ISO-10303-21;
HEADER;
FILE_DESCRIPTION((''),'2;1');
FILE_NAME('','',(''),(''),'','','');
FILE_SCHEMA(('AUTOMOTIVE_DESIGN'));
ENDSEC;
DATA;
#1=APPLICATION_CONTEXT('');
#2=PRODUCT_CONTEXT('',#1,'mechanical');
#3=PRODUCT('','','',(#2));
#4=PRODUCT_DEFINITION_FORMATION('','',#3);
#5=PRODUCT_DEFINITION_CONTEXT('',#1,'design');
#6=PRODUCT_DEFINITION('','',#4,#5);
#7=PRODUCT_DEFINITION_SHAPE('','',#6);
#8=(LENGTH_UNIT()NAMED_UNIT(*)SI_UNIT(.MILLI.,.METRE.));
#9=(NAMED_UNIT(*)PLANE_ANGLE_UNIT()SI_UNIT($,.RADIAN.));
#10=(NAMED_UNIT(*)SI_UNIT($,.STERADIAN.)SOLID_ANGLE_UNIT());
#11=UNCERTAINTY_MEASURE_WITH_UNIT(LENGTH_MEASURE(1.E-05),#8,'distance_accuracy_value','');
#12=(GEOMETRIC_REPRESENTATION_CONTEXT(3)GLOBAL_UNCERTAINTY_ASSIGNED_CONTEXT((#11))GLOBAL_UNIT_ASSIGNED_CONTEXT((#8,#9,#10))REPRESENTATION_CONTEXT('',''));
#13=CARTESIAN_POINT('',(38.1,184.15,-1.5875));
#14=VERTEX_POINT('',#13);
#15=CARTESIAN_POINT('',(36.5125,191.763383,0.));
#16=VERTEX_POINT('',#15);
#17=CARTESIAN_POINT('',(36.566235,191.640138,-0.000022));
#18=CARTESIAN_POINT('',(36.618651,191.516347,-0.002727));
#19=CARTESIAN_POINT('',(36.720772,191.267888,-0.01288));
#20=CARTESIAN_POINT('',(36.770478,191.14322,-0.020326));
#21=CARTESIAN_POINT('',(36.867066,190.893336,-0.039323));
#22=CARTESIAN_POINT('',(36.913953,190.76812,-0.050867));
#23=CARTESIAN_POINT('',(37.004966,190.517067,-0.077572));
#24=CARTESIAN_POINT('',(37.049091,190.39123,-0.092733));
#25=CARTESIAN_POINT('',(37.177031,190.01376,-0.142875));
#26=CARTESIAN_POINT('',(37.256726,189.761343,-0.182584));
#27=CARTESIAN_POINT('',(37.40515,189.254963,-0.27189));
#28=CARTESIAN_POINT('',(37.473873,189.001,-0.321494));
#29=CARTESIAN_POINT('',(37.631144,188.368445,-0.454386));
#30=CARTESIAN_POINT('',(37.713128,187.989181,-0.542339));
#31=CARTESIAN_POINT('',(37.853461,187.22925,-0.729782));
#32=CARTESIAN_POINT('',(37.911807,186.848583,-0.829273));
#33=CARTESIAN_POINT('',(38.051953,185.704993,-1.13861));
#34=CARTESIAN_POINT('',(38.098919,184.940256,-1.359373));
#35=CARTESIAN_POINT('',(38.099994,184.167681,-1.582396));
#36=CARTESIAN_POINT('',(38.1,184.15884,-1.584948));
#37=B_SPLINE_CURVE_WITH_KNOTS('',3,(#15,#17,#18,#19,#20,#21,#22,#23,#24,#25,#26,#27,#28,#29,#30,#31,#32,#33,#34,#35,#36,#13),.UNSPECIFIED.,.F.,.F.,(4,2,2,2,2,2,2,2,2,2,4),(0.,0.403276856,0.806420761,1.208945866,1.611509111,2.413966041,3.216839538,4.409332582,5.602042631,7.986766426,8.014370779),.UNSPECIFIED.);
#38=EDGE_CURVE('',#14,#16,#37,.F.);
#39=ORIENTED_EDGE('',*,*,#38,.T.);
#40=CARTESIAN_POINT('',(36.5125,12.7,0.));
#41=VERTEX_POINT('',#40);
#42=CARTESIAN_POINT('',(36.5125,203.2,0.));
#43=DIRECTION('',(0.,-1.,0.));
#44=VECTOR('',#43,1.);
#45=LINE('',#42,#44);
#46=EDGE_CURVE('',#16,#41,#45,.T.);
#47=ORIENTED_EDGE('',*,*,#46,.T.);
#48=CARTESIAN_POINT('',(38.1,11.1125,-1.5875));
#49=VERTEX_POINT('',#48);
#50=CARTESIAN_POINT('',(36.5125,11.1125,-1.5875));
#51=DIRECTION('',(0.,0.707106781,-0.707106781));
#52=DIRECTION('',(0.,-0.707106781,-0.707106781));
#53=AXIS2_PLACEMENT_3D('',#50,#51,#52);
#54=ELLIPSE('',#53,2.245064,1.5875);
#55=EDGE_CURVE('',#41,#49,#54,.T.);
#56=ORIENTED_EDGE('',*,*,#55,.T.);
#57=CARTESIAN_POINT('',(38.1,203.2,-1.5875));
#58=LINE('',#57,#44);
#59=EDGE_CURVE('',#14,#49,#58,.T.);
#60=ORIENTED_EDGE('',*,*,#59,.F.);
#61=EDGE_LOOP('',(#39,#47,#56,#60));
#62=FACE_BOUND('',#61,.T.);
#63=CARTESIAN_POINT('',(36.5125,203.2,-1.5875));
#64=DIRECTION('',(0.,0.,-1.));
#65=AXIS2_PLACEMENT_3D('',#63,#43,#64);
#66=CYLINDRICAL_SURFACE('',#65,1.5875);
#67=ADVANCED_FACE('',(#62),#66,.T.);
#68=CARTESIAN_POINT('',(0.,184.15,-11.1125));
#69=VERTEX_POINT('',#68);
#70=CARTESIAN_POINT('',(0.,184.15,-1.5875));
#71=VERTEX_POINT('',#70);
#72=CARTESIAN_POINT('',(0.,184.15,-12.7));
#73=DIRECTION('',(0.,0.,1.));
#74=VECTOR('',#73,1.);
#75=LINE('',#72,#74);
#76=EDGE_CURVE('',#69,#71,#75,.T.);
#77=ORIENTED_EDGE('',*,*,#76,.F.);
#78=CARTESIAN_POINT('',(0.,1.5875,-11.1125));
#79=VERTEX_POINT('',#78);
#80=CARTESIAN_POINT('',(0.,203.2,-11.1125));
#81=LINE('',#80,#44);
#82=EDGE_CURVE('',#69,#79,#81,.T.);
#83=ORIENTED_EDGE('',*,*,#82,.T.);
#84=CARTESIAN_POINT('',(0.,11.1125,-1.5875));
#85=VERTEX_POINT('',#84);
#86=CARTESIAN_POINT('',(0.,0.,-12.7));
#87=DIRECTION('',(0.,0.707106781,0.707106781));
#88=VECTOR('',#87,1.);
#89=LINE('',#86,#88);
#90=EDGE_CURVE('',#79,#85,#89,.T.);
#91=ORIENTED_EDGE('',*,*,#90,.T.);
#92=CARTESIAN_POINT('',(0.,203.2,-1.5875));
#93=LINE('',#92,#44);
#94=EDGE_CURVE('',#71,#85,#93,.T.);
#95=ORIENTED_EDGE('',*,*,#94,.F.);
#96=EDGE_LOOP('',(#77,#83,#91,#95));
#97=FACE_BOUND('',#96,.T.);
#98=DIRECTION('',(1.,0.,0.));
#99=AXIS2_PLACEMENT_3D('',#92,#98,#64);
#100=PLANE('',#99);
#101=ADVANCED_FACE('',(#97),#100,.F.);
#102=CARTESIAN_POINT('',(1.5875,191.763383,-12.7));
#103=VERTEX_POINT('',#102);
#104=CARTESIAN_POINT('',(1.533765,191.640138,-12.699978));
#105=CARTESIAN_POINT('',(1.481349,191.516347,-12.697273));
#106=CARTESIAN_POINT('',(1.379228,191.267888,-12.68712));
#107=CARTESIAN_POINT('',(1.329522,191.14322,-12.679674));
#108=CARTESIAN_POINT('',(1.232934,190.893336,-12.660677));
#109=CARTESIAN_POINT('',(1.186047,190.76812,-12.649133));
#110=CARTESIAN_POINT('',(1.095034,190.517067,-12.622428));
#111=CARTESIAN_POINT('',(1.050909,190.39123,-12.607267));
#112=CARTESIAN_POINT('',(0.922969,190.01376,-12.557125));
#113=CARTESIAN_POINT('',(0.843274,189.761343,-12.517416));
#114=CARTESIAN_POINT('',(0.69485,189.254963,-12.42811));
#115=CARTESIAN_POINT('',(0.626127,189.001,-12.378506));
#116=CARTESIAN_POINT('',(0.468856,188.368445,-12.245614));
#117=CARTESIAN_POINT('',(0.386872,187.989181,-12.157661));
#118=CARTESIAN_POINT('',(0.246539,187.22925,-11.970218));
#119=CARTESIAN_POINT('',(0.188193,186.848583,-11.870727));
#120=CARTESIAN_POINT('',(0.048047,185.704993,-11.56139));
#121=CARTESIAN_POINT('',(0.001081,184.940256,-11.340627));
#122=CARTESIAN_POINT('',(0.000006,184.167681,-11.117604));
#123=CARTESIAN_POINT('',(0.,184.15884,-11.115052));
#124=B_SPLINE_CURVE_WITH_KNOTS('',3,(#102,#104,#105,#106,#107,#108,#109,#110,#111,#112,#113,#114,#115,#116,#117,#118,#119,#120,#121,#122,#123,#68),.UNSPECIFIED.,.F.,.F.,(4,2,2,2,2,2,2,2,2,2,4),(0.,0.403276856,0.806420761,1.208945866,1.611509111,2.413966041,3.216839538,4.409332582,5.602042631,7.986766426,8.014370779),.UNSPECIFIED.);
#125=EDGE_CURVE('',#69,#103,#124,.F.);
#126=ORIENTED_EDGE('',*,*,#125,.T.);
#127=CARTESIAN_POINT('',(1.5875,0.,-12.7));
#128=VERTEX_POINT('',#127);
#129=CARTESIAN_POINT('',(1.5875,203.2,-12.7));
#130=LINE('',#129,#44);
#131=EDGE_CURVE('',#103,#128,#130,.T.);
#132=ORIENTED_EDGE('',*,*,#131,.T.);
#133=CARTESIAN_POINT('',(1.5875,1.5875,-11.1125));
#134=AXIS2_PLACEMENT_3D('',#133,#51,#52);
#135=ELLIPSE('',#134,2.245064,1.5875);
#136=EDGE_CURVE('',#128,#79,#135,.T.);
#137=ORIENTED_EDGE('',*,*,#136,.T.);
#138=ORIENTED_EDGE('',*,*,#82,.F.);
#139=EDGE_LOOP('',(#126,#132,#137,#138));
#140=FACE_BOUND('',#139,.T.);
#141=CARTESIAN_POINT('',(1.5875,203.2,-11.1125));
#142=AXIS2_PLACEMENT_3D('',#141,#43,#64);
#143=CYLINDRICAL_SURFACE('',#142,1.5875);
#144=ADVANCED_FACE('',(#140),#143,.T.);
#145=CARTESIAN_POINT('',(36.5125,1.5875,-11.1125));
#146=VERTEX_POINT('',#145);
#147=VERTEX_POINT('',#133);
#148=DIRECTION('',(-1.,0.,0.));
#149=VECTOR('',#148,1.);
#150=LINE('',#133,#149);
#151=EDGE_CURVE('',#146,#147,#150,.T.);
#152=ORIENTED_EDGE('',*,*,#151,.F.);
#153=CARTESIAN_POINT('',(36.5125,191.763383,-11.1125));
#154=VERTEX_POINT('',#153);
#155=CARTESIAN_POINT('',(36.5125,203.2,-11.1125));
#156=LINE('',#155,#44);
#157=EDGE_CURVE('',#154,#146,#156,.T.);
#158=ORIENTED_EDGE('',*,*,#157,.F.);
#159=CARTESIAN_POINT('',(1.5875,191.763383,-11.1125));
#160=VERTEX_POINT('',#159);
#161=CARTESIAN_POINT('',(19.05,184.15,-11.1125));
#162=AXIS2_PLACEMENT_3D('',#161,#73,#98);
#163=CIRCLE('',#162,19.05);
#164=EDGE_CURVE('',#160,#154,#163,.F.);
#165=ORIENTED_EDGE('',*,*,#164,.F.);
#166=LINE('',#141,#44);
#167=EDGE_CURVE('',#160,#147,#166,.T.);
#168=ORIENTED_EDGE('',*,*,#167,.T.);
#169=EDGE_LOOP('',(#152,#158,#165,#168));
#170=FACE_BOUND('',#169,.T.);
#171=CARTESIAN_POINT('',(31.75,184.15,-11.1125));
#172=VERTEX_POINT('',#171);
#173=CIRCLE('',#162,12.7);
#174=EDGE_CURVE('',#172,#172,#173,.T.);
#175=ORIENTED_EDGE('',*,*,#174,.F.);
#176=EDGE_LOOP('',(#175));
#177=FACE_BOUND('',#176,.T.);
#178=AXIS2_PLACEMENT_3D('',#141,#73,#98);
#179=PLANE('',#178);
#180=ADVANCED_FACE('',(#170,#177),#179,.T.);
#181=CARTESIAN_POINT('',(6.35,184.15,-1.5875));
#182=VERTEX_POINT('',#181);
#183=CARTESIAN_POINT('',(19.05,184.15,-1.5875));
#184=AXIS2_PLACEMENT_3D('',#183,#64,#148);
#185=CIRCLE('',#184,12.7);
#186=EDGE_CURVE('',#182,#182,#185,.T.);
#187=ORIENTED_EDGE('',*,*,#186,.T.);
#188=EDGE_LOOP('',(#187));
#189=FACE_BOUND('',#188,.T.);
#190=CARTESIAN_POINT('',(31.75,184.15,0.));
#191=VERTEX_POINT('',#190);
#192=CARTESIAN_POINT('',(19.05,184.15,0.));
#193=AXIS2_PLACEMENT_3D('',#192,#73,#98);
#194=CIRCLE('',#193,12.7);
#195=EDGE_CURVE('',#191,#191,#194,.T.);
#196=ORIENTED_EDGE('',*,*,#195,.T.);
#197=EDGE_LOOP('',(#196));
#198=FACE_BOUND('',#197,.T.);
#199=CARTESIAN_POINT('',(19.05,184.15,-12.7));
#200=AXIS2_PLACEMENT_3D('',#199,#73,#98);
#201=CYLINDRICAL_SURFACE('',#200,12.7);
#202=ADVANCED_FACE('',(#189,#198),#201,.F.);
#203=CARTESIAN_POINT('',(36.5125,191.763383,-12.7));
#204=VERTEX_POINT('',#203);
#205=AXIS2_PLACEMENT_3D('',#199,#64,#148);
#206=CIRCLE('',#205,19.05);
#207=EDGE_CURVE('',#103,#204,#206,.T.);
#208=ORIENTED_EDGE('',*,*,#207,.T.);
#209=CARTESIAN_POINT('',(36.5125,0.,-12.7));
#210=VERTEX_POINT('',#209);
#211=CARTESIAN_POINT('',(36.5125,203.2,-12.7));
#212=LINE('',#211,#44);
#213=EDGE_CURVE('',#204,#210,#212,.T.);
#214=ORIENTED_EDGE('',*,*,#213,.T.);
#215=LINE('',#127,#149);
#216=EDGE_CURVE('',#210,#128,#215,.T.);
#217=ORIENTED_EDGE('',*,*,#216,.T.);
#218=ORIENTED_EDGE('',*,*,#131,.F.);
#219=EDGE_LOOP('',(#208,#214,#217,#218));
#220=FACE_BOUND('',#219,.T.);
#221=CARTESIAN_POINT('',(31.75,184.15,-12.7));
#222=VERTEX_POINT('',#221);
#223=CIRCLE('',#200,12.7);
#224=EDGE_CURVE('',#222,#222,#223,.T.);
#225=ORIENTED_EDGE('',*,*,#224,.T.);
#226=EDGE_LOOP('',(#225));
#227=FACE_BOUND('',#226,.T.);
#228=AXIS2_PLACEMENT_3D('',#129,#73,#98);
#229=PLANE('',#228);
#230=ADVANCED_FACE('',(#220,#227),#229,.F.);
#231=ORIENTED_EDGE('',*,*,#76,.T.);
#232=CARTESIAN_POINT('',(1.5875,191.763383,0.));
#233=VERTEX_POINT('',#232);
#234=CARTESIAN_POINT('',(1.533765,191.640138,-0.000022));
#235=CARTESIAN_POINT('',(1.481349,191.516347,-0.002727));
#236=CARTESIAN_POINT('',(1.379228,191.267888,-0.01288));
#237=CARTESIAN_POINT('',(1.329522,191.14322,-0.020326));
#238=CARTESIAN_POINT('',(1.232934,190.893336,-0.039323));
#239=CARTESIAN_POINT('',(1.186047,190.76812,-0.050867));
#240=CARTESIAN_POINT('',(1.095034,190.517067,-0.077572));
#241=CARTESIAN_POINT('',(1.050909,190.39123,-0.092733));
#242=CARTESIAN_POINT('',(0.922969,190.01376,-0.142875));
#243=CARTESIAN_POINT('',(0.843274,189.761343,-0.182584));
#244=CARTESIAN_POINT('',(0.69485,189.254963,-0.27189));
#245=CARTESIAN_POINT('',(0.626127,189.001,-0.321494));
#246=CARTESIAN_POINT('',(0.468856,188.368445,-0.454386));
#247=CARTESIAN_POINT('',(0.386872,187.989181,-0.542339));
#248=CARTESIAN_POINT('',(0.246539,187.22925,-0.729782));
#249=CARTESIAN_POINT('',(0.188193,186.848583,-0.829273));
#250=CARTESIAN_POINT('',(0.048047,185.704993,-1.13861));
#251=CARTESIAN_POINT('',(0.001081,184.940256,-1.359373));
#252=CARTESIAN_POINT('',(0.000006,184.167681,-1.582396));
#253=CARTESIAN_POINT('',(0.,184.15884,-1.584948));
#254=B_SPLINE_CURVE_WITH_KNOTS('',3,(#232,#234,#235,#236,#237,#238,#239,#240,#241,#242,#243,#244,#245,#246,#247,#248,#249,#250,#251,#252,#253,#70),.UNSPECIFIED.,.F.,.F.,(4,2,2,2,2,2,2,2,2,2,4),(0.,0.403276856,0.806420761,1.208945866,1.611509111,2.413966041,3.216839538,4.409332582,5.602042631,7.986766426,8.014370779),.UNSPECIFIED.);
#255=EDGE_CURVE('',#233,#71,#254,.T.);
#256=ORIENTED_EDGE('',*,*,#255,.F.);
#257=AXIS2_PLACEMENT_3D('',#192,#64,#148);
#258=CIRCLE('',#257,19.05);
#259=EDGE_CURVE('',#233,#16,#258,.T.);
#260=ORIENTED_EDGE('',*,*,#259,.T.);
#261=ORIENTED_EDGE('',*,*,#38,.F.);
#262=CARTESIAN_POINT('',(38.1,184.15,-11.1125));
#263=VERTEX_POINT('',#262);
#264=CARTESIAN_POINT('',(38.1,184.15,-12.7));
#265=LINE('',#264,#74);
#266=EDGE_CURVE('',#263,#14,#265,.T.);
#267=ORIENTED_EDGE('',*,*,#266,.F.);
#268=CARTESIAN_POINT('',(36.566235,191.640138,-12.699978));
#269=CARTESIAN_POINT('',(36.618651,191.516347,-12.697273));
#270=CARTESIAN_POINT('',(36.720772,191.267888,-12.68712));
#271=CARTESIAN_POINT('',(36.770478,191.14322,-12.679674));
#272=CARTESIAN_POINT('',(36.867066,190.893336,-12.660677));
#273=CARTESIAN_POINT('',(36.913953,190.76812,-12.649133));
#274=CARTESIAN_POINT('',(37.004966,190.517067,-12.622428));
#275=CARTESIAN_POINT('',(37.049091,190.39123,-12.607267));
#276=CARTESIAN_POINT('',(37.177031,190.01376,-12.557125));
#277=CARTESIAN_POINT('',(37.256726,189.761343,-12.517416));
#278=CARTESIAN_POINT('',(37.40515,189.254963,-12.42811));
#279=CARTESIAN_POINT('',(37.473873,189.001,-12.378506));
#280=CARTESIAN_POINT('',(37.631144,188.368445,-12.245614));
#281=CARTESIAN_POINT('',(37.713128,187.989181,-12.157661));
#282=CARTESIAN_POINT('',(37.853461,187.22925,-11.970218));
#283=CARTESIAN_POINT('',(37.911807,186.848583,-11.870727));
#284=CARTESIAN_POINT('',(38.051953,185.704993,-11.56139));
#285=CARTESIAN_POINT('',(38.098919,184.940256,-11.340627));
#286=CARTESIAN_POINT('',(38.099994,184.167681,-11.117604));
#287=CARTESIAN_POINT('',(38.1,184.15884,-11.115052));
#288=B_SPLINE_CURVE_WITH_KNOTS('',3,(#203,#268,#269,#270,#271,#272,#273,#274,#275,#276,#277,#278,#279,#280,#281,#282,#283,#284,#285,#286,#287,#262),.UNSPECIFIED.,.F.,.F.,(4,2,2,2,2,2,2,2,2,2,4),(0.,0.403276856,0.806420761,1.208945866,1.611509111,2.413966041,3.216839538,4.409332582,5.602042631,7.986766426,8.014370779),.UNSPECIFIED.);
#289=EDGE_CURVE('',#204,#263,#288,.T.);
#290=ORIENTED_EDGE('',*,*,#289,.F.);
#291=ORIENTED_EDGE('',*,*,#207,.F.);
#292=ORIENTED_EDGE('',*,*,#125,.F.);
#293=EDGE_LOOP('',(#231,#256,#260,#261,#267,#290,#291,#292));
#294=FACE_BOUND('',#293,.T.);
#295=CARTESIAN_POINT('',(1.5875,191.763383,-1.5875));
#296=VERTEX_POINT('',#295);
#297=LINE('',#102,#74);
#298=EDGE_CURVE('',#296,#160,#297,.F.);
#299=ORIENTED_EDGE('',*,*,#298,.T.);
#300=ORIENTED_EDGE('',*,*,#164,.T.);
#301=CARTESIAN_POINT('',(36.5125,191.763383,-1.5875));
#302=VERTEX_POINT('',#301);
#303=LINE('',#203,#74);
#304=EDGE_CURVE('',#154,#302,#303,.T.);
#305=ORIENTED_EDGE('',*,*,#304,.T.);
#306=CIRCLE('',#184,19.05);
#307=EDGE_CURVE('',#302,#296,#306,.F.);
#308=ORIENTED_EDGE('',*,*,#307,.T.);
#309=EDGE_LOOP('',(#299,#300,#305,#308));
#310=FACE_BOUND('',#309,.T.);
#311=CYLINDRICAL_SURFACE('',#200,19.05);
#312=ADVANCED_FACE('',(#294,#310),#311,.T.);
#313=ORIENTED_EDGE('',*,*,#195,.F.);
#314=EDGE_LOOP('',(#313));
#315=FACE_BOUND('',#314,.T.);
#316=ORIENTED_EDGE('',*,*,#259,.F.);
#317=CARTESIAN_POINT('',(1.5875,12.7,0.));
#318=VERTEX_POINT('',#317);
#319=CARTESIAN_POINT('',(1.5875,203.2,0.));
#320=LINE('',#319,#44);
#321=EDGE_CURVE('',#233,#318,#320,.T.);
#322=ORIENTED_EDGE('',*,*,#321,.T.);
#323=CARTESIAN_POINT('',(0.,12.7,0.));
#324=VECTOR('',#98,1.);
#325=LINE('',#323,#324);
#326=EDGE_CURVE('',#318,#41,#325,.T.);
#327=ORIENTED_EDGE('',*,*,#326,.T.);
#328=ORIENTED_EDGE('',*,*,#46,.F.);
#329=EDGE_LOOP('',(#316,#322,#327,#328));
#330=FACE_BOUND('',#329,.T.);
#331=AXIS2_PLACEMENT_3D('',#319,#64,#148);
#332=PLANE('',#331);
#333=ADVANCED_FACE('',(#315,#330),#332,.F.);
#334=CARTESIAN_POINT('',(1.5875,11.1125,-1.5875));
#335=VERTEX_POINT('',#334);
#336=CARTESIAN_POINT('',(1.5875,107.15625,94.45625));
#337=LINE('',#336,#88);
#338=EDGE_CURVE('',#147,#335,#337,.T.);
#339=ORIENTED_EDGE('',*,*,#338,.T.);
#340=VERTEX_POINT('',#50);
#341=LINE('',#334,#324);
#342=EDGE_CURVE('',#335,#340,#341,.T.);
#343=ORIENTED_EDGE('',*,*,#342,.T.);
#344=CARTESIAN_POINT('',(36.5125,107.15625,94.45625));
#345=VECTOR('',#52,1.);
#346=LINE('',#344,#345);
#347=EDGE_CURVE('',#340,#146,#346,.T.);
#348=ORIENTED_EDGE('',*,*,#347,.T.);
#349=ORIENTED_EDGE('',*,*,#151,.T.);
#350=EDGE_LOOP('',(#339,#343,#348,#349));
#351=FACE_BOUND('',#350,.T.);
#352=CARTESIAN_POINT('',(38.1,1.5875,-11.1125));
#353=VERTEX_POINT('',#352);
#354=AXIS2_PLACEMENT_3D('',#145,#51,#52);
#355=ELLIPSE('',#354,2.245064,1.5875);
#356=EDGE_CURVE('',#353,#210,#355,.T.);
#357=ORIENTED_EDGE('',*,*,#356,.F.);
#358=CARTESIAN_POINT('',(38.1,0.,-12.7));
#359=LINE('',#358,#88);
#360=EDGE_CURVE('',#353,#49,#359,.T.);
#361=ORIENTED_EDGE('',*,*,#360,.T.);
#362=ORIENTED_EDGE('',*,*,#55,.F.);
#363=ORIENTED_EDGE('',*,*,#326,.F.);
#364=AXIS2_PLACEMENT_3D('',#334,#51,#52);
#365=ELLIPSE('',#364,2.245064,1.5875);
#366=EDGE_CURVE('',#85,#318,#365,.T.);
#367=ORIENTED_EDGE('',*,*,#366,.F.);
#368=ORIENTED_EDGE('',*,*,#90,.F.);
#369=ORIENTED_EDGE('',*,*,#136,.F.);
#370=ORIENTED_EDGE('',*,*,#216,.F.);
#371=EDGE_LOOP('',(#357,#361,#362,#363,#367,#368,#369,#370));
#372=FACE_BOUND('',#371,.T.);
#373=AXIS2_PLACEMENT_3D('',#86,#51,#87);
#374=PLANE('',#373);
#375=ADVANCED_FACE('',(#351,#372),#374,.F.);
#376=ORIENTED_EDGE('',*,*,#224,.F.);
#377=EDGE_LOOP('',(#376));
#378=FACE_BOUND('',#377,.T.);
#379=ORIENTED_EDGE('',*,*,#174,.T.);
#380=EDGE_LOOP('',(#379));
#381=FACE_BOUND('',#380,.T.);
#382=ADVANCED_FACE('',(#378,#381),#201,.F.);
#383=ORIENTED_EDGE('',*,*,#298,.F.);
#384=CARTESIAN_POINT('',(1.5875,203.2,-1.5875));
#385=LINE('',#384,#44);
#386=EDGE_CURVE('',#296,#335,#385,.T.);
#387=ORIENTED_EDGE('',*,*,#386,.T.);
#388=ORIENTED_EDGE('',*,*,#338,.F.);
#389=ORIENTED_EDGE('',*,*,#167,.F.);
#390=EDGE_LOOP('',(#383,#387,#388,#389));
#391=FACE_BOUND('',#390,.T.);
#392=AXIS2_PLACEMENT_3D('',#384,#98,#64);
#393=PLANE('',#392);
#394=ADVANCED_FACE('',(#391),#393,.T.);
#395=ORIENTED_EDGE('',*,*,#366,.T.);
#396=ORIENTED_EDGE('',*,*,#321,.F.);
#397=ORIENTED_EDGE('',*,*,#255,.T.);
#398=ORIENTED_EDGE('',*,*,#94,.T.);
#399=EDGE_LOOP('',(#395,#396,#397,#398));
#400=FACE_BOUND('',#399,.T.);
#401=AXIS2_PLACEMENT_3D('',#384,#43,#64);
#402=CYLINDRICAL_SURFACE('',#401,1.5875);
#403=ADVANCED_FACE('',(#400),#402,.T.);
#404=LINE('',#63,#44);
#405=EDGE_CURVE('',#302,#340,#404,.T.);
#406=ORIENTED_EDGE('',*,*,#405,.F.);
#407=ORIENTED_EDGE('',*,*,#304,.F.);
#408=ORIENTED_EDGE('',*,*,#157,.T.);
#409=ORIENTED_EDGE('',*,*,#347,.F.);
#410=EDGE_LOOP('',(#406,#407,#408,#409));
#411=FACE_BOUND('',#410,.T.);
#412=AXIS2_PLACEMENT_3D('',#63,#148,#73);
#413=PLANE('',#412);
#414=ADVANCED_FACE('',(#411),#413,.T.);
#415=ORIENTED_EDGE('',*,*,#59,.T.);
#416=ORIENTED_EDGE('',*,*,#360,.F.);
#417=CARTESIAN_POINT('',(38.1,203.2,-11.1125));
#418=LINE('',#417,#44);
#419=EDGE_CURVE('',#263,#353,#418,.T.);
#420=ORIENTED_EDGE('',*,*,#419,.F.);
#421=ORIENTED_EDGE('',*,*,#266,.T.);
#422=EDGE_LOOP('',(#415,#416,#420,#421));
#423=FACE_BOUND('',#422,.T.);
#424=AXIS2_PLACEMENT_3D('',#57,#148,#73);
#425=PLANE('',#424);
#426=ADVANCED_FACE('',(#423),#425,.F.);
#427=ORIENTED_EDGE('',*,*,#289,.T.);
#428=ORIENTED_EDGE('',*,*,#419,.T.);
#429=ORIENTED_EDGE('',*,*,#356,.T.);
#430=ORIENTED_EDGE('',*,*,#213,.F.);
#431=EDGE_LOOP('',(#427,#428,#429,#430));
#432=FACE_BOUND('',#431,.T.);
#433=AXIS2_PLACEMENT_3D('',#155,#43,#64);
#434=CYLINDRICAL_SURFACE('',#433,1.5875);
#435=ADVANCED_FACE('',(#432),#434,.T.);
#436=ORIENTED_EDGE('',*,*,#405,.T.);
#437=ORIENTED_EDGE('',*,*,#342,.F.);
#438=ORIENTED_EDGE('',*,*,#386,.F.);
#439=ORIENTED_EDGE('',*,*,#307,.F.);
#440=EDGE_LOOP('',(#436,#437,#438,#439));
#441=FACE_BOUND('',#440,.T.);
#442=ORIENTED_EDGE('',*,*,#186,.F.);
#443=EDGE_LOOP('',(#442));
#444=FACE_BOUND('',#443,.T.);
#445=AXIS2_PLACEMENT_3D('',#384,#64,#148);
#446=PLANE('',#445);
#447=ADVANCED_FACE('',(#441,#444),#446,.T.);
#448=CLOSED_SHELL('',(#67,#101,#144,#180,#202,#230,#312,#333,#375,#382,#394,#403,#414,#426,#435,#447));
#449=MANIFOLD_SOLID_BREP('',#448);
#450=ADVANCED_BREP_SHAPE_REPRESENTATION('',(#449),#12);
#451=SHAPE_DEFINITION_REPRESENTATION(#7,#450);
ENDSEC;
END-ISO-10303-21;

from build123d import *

# Parameters (mm, degrees)
SKETCH1_W           = 34.925
SKETCH1_H           = 9.525
BOSS_EXTRUDE1_DEPTH = 203.2
SKETCH2_R           = 12.7
CUT_EXTRUDE1_DEPTH  = 13.7
CUT_EXTRUDE2_DEPTH  = 39.1000001


with BuildPart() as part:
    # Sketch1 → Boss-Extrude1 (new body)
    with BuildSketch(Plane(origin=(0, 0, 0), x_dir=(1, 0, 0), z_dir=(0, 1, 0))):
        with BuildLine():
            Line((1.5875, 0), (36.5125, 0))
            ThreePointArc((36.5125, 0), (37.635032015, 0.464967985), (38.1, 1.5875))
            Line((38.1, 1.5875), (38.1, 11.1125))
            ThreePointArc((38.1, 11.1125), (37.635032015, 12.235032015), (36.5125, 12.7))
            Line((36.5125, 12.7), (1.5875, 12.7))
            ThreePointArc((1.5875, 12.7), (0.464967985, 12.235032015), (0, 11.1125))
            Line((0, 11.1125), (0, 1.5875))
            ThreePointArc((0, 1.5875), (0.464967985, 0.464967985), (1.5875, 0))
        make_face()
        with Locations((19.05, 6.35)):
            Rectangle(SKETCH1_W, SKETCH1_H, mode=Mode.SUBTRACT)
    extrude(amount=BOSS_EXTRUDE1_DEPTH)

    # Sketch2 → Cut-Extrude1 (cut, through all)
    with BuildSketch(Plane.XY):
        with Locations((19.05, 184.15)):
            Circle(SKETCH2_R)
        with BuildLine():
            Line((0, 184.15), (0, 209.55))
            Line((0, 209.55), (38.1, 209.55))
            Line((38.1, 209.55), (38.1, 184.15))
            ThreePointArc((38.1, 184.15), (19.05, 203.2), (0, 184.15))
        make_face()
    extrude(amount=-CUT_EXTRUDE1_DEPTH, mode=Mode.SUBTRACT)

    # Sketch3 → Cut-Extrude2 (cut, through all)
    with BuildSketch(Plane(origin=(38.1, 0, 0), x_dir=(0, 0, -1), z_dir=(1, 0, 0))):
        Polygon((0, 0), (12.7, 0), (0, 12.7), align=None)
    extrude(amount=-CUT_EXTRUDE2_DEPTH, mode=Mode.SUBTRACT)


solid = part.part
